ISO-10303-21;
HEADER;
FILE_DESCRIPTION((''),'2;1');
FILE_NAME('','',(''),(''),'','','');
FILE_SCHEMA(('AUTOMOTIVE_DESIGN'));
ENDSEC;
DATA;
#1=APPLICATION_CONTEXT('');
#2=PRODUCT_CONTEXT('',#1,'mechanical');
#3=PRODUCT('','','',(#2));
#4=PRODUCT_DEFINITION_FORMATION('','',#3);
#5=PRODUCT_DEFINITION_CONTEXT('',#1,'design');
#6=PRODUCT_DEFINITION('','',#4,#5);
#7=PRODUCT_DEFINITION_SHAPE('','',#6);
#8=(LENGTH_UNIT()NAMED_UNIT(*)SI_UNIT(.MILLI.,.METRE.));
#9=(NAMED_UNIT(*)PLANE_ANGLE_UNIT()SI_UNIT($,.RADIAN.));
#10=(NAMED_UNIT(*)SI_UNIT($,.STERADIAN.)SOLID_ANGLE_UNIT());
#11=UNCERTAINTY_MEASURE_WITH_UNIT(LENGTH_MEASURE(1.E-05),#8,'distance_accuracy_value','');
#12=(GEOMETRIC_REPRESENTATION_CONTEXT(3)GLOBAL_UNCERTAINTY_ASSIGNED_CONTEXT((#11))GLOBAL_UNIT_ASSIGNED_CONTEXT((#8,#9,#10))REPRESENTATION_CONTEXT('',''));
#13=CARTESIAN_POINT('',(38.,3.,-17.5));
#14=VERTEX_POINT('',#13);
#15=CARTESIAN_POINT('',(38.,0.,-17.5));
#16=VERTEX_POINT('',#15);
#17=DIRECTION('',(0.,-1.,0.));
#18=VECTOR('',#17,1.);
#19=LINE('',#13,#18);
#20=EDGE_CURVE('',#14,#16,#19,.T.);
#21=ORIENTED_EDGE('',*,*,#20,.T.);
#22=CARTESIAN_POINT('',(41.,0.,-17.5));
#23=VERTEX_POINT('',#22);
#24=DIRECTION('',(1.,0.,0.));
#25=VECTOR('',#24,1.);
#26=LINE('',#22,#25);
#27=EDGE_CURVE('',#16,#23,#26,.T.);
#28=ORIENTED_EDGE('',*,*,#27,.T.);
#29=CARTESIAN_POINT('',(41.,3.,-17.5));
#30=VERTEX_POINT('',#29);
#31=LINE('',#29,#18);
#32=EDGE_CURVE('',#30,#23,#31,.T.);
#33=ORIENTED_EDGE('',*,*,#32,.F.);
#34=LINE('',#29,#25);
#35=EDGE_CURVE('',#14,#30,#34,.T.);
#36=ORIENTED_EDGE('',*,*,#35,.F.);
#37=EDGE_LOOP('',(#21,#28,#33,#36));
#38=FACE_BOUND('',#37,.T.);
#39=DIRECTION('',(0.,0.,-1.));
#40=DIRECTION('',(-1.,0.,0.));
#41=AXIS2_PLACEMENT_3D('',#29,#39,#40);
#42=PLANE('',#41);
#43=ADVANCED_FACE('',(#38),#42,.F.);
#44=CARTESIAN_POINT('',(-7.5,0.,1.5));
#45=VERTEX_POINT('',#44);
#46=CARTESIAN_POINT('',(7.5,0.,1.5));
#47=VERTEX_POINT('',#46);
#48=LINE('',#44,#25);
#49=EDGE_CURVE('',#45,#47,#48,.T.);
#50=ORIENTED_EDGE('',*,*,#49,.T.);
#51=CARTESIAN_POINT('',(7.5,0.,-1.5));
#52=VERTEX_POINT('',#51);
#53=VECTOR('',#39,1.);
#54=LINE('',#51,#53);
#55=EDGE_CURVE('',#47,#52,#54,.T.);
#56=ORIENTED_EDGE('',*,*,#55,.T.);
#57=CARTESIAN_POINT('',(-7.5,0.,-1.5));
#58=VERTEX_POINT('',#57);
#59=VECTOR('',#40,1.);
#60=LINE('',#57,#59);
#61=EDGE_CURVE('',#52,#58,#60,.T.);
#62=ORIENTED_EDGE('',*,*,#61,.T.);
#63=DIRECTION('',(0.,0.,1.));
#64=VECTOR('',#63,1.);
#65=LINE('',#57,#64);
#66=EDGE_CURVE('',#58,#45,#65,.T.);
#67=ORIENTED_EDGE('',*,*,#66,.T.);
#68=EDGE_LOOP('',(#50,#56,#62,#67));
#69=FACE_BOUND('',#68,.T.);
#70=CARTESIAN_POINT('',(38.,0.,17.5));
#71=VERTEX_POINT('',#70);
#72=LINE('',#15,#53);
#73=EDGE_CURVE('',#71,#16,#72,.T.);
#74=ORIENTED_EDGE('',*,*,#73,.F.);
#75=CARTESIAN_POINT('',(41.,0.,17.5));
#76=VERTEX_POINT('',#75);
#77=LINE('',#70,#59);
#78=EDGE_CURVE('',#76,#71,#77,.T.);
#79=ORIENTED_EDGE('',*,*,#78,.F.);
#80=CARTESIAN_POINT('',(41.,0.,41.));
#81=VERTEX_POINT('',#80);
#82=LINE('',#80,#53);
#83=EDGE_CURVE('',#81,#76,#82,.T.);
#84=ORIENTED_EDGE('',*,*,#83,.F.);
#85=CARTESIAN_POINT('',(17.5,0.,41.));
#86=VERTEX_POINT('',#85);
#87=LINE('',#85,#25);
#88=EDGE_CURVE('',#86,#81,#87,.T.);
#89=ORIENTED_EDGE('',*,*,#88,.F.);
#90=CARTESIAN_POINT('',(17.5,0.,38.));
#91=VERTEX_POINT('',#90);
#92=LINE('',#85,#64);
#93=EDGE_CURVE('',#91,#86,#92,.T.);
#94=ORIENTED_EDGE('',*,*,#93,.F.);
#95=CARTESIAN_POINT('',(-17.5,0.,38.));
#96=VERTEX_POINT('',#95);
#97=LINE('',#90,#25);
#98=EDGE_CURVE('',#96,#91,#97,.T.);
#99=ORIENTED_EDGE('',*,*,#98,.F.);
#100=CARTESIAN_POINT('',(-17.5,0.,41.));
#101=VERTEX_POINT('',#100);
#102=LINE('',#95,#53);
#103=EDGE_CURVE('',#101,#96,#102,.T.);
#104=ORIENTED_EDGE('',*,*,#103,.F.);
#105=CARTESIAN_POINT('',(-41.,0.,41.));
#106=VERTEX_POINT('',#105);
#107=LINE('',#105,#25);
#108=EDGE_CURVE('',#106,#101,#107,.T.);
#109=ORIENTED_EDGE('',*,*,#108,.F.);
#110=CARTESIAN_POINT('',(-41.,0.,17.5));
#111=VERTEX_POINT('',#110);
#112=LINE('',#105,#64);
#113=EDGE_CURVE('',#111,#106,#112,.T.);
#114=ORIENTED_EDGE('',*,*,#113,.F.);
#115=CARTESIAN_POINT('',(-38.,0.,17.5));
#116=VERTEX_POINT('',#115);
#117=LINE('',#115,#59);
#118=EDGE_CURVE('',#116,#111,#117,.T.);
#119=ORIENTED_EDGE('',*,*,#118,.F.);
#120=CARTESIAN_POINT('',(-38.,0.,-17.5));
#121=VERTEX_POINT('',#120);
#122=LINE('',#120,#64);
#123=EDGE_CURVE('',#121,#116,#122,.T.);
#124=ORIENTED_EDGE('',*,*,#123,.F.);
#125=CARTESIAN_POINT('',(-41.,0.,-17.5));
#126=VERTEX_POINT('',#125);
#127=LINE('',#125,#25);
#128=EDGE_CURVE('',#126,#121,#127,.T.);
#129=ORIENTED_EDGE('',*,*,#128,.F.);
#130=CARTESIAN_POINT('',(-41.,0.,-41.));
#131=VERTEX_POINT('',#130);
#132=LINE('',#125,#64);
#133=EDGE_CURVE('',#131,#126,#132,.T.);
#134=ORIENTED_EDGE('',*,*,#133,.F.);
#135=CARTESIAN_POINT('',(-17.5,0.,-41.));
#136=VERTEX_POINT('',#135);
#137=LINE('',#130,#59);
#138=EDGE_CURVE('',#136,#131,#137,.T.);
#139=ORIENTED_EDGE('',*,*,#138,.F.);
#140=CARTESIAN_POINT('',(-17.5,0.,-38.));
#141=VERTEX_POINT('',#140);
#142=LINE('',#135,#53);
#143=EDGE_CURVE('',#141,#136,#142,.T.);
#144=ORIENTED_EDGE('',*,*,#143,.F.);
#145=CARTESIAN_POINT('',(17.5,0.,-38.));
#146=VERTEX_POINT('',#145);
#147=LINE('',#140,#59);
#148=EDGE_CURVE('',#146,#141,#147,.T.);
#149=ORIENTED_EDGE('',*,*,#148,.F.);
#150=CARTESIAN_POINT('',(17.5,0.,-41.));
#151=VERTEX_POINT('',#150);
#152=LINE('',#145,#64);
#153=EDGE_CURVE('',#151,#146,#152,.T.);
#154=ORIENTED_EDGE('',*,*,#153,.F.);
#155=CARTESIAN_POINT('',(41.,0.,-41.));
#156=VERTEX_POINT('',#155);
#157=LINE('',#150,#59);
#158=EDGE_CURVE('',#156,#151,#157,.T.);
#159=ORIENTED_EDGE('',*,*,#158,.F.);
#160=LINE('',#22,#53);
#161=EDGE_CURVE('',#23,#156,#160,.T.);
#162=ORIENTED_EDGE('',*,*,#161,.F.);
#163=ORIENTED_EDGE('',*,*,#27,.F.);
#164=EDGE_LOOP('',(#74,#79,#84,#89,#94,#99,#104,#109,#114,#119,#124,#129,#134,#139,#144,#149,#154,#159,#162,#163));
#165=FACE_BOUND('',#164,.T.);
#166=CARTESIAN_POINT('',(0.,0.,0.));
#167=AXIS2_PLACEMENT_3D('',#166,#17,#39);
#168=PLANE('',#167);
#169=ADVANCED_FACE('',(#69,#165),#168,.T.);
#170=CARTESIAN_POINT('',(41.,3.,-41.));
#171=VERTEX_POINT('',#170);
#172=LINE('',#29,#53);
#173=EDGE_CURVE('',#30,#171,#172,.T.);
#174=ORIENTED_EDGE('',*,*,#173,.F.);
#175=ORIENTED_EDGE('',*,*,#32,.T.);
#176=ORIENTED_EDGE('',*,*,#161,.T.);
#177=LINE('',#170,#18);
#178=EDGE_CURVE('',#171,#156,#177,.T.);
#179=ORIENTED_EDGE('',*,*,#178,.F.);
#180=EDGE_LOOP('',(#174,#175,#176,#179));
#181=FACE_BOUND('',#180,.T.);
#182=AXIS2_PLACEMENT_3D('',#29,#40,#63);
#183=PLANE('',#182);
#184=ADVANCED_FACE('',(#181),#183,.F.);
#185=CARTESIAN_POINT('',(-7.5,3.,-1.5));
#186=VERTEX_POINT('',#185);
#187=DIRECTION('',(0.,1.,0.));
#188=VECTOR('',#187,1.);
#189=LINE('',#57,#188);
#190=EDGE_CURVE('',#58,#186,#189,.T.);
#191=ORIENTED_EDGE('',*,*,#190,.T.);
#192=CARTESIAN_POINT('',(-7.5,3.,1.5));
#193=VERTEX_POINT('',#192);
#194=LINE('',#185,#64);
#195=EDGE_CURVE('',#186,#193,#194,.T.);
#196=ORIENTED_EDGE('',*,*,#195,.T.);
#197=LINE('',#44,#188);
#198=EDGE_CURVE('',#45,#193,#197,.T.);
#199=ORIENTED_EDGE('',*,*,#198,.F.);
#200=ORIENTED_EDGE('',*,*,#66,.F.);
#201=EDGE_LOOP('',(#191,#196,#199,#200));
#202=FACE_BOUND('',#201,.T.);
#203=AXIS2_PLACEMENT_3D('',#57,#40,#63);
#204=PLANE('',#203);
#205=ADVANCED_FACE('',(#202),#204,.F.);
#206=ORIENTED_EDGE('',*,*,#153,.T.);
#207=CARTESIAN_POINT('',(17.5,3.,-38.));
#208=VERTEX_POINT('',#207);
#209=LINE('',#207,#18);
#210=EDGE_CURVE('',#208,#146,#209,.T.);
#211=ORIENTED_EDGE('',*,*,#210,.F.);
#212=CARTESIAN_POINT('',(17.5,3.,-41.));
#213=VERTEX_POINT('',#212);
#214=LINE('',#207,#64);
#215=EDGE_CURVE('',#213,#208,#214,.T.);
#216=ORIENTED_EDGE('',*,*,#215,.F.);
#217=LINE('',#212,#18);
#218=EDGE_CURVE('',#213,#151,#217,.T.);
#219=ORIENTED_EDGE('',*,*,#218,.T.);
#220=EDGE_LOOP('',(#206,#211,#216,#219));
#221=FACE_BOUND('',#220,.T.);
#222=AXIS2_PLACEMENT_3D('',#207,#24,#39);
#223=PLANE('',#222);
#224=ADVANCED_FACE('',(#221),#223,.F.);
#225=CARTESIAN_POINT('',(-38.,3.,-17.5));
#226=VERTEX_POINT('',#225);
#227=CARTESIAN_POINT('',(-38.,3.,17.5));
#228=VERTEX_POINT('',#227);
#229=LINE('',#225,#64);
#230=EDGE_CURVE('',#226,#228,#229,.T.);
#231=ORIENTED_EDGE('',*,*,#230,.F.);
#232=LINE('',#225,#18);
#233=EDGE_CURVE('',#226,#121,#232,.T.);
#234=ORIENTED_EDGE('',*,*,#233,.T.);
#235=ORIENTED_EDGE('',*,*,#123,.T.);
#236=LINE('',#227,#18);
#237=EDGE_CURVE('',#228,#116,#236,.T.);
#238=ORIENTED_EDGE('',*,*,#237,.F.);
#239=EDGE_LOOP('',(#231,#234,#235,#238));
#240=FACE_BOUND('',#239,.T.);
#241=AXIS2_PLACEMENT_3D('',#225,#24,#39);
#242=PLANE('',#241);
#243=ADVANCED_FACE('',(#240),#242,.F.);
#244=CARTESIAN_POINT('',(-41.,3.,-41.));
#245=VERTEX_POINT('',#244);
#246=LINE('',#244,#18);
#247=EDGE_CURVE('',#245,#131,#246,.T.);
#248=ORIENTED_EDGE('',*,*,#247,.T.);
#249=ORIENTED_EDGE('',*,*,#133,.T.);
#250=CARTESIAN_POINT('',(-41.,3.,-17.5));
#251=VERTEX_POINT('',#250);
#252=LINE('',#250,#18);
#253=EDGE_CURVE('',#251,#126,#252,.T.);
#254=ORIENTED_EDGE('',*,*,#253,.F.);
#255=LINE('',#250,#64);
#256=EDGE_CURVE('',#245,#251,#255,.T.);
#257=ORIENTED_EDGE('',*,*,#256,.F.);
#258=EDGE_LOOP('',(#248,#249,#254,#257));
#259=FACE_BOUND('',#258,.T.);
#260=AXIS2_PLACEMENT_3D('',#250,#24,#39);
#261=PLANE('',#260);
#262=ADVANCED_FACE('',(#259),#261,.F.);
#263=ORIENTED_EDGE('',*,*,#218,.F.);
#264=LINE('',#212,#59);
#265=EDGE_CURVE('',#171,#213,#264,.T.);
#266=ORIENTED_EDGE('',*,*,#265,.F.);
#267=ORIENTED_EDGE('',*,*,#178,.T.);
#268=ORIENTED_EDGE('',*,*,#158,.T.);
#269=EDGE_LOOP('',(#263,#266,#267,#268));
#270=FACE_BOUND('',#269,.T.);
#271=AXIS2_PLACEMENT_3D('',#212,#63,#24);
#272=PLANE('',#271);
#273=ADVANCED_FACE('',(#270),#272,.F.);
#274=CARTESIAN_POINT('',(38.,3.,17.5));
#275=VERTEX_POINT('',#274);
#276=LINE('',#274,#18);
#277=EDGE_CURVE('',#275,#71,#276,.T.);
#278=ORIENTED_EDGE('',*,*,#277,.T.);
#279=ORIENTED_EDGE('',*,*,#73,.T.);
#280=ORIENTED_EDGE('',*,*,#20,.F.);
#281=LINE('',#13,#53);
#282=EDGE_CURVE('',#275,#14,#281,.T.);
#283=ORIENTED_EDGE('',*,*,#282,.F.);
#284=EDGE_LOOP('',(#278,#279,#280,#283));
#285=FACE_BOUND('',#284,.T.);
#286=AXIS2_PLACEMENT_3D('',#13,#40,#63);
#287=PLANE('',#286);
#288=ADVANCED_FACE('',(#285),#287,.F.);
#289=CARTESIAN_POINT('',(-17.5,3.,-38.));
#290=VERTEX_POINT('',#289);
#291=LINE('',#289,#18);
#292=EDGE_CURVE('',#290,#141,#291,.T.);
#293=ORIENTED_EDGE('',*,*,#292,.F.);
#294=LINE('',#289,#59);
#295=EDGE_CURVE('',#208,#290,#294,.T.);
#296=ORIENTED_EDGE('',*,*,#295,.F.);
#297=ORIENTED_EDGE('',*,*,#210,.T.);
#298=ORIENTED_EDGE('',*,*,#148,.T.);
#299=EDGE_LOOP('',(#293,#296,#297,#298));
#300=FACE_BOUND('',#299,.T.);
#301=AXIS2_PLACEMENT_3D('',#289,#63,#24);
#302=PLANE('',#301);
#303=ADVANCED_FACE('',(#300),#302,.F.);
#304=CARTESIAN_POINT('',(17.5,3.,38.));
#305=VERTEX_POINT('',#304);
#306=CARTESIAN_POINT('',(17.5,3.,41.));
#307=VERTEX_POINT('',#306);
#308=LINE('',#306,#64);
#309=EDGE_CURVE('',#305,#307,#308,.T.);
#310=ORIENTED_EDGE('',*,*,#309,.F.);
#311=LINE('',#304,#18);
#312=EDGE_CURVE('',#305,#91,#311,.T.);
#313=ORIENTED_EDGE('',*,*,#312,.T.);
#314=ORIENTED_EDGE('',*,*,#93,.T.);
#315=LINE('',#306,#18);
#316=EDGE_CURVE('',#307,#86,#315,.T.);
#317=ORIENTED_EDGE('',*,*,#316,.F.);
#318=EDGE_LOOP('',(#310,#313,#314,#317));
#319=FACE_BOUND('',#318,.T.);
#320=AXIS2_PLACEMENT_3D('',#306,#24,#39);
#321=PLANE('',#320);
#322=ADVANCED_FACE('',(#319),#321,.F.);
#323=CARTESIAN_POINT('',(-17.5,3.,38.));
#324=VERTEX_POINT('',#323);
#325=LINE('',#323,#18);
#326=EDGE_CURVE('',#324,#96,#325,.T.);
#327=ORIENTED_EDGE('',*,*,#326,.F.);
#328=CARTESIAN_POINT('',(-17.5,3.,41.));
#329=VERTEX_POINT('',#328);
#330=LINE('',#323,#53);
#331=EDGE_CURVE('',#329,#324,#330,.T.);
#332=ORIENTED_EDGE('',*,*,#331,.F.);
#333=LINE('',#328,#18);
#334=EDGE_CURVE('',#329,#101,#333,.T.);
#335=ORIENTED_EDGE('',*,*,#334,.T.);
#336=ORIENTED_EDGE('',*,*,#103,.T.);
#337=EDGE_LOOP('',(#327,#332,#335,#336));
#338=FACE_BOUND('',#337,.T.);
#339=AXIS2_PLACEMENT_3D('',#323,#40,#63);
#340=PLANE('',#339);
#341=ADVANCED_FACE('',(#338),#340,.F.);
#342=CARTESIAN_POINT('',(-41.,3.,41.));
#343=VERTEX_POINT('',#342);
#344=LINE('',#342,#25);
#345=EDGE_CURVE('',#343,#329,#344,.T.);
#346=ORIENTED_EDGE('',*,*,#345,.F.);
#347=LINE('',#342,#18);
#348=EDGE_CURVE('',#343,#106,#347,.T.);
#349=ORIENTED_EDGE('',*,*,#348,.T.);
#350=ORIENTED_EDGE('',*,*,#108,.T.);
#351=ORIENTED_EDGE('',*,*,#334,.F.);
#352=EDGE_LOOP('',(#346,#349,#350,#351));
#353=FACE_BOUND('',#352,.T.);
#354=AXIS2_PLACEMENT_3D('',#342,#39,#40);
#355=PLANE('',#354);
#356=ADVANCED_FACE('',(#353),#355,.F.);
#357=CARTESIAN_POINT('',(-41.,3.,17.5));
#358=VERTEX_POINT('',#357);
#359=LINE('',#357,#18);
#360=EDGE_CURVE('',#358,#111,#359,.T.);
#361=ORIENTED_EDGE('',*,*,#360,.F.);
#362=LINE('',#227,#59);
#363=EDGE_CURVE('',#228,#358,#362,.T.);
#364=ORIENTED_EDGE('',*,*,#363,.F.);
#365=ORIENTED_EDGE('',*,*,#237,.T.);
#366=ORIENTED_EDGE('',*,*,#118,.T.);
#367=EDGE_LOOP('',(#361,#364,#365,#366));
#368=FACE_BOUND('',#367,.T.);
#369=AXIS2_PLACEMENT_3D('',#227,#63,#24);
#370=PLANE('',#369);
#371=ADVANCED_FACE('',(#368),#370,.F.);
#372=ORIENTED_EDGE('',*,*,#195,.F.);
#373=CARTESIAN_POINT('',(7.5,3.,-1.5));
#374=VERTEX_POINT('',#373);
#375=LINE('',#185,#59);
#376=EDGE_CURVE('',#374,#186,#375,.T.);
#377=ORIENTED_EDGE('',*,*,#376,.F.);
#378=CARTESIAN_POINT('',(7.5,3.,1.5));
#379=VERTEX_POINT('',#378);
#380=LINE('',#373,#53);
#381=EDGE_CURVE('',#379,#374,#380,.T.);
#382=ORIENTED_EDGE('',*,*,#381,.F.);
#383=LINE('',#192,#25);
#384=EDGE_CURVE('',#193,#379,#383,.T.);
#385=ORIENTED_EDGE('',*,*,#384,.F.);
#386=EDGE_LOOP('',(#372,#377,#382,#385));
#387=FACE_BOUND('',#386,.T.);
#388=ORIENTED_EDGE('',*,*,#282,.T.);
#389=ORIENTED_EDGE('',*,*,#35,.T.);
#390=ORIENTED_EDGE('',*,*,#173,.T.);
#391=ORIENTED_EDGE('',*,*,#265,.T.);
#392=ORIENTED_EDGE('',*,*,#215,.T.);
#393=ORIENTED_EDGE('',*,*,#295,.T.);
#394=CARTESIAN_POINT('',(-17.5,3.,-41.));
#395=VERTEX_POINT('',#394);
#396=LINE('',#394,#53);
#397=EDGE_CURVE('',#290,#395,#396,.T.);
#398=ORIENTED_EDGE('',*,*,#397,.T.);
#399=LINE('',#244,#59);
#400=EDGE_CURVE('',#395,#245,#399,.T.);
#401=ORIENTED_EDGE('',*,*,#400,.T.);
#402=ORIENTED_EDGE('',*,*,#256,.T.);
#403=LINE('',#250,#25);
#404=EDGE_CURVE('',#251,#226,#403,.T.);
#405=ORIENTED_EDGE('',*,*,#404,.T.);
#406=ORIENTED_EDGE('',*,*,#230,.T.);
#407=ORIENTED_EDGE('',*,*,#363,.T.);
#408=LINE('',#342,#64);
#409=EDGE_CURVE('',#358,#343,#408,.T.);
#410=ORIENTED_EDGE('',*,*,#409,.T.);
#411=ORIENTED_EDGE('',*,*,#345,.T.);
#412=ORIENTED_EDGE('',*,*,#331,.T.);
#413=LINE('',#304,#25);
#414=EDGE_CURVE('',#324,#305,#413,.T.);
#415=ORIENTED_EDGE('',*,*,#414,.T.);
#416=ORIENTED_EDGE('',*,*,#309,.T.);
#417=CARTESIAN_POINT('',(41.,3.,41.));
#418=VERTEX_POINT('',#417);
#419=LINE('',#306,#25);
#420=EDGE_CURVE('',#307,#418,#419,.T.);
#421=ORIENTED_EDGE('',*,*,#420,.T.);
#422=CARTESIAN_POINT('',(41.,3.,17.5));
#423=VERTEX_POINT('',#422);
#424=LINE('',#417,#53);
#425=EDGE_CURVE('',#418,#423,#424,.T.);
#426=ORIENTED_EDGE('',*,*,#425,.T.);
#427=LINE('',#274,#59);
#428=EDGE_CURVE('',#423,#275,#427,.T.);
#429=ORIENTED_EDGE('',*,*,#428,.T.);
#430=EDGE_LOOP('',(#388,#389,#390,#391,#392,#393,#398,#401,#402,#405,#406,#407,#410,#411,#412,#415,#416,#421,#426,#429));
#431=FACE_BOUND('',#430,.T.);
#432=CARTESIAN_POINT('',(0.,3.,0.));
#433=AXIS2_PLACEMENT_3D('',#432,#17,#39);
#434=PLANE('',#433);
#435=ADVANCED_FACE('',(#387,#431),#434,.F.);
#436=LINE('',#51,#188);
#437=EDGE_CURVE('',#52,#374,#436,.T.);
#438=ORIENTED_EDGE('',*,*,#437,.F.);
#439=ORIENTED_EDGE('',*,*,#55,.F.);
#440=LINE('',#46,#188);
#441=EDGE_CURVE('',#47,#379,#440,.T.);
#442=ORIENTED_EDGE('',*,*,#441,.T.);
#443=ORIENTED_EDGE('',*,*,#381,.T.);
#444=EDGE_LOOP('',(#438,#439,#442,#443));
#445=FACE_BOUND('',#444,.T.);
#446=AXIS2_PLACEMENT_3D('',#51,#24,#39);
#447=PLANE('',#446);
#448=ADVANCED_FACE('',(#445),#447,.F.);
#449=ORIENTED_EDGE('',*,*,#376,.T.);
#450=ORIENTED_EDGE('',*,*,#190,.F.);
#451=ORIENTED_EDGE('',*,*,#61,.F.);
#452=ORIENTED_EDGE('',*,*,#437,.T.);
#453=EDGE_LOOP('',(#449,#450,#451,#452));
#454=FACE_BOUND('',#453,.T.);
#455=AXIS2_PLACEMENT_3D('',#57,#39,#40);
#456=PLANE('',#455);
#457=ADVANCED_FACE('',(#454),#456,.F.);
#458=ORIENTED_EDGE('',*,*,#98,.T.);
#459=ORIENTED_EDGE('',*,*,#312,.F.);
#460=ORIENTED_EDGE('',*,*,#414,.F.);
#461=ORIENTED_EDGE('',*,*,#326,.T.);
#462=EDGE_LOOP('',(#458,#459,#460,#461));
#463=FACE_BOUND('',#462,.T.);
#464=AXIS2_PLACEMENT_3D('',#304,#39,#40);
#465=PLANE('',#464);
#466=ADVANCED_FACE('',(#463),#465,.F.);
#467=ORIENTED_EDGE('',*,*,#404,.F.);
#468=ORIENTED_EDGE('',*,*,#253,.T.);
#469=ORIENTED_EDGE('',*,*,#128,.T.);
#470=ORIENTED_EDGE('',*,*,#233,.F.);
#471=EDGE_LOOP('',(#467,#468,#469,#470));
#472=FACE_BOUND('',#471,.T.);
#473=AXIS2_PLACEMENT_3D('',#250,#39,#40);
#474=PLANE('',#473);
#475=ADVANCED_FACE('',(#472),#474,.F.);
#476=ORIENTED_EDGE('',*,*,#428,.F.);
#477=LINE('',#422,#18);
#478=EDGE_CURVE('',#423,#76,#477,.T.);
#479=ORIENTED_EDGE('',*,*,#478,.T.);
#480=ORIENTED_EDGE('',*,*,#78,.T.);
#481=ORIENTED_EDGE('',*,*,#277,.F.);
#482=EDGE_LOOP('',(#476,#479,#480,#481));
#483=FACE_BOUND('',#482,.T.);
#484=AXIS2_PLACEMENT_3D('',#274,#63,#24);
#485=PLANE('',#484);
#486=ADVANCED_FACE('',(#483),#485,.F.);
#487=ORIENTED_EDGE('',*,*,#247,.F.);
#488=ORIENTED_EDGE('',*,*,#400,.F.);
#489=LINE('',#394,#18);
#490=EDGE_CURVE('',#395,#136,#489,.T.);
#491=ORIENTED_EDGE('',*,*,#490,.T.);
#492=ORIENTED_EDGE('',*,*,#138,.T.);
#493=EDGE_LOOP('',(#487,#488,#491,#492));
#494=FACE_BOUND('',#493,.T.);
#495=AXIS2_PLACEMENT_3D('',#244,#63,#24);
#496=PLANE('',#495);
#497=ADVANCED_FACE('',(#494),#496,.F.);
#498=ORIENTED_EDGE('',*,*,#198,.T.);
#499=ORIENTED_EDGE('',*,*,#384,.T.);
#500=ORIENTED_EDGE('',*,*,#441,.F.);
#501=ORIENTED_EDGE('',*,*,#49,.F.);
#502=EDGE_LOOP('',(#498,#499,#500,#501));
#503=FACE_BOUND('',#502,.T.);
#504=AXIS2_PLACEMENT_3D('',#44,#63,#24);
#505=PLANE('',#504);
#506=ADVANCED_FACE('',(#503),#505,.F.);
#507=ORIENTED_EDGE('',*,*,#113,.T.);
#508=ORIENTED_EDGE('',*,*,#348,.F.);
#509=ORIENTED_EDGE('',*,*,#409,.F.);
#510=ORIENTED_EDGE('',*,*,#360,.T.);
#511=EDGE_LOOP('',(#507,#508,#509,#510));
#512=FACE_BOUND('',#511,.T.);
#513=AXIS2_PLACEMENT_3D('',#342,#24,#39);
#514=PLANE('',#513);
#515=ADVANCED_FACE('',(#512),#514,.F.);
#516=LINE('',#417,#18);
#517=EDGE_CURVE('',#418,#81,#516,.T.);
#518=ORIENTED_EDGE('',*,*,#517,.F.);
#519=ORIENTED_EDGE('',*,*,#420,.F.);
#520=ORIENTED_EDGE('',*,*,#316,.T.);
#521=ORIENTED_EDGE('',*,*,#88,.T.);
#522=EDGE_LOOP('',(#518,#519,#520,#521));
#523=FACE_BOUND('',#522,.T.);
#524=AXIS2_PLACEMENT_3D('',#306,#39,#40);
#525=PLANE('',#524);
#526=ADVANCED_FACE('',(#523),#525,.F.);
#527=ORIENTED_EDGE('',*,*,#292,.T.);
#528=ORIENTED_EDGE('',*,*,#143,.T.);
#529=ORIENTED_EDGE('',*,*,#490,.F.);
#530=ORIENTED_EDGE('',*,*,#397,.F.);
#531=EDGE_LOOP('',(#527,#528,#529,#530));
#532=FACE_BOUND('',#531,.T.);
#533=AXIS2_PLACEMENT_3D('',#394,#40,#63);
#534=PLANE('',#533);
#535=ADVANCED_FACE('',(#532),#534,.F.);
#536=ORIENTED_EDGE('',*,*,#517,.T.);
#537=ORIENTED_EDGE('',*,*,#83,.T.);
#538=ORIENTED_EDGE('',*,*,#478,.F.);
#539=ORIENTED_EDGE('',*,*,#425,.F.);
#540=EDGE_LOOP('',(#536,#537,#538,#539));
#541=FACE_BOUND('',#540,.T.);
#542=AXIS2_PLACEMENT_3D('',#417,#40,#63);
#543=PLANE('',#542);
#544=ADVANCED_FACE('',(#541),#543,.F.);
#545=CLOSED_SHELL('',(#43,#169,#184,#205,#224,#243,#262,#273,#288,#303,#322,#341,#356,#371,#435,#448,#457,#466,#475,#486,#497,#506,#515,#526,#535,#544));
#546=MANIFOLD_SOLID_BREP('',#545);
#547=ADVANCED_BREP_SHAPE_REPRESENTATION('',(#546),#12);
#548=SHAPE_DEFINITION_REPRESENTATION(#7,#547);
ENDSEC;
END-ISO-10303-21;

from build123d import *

# Parameters (mm, degrees)
BOSS_EXTRUDE1_DEPTH = 3
SKETCH2_W           = 15
SKETCH2_H           = 3
CUT_EXTRUDE1_DEPTH  = 3


with BuildPart() as part:
    # Sketch1 → Boss-Extrude1 (new body)
    with BuildSketch(Plane(origin=(0, 0, 0), x_dir=(1, 0, 0), z_dir=(0, 1, 0))):
        Polygon((-41, -41), (-17.5, -41), (-17.5, -38), (17.5, -38), (17.5, -41), (41, -41), (41, -17.5), (38, -17.5), (38, 17.5), (41, 17.5), (41, 41), (17.5, 41), (17.5, 38), (-17.5, 38), (-17.5, 41), (-41, 41), (-41, 17.5), (-38, 17.5), (-38, -17.5), (-41, -17.5), align=None)
    extrude(amount=BOSS_EXTRUDE1_DEPTH)

    # Sketch2 → Cut-Extrude1 (cut)
    with BuildSketch(Plane(origin=(0, 3, 0), x_dir=(1, 0, 0), z_dir=(0, 1, 0))):
        Rectangle(SKETCH2_W, SKETCH2_H)
    extrude(amount=-CUT_EXTRUDE1_DEPTH, mode=Mode.SUBTRACT)


solid = part.part
